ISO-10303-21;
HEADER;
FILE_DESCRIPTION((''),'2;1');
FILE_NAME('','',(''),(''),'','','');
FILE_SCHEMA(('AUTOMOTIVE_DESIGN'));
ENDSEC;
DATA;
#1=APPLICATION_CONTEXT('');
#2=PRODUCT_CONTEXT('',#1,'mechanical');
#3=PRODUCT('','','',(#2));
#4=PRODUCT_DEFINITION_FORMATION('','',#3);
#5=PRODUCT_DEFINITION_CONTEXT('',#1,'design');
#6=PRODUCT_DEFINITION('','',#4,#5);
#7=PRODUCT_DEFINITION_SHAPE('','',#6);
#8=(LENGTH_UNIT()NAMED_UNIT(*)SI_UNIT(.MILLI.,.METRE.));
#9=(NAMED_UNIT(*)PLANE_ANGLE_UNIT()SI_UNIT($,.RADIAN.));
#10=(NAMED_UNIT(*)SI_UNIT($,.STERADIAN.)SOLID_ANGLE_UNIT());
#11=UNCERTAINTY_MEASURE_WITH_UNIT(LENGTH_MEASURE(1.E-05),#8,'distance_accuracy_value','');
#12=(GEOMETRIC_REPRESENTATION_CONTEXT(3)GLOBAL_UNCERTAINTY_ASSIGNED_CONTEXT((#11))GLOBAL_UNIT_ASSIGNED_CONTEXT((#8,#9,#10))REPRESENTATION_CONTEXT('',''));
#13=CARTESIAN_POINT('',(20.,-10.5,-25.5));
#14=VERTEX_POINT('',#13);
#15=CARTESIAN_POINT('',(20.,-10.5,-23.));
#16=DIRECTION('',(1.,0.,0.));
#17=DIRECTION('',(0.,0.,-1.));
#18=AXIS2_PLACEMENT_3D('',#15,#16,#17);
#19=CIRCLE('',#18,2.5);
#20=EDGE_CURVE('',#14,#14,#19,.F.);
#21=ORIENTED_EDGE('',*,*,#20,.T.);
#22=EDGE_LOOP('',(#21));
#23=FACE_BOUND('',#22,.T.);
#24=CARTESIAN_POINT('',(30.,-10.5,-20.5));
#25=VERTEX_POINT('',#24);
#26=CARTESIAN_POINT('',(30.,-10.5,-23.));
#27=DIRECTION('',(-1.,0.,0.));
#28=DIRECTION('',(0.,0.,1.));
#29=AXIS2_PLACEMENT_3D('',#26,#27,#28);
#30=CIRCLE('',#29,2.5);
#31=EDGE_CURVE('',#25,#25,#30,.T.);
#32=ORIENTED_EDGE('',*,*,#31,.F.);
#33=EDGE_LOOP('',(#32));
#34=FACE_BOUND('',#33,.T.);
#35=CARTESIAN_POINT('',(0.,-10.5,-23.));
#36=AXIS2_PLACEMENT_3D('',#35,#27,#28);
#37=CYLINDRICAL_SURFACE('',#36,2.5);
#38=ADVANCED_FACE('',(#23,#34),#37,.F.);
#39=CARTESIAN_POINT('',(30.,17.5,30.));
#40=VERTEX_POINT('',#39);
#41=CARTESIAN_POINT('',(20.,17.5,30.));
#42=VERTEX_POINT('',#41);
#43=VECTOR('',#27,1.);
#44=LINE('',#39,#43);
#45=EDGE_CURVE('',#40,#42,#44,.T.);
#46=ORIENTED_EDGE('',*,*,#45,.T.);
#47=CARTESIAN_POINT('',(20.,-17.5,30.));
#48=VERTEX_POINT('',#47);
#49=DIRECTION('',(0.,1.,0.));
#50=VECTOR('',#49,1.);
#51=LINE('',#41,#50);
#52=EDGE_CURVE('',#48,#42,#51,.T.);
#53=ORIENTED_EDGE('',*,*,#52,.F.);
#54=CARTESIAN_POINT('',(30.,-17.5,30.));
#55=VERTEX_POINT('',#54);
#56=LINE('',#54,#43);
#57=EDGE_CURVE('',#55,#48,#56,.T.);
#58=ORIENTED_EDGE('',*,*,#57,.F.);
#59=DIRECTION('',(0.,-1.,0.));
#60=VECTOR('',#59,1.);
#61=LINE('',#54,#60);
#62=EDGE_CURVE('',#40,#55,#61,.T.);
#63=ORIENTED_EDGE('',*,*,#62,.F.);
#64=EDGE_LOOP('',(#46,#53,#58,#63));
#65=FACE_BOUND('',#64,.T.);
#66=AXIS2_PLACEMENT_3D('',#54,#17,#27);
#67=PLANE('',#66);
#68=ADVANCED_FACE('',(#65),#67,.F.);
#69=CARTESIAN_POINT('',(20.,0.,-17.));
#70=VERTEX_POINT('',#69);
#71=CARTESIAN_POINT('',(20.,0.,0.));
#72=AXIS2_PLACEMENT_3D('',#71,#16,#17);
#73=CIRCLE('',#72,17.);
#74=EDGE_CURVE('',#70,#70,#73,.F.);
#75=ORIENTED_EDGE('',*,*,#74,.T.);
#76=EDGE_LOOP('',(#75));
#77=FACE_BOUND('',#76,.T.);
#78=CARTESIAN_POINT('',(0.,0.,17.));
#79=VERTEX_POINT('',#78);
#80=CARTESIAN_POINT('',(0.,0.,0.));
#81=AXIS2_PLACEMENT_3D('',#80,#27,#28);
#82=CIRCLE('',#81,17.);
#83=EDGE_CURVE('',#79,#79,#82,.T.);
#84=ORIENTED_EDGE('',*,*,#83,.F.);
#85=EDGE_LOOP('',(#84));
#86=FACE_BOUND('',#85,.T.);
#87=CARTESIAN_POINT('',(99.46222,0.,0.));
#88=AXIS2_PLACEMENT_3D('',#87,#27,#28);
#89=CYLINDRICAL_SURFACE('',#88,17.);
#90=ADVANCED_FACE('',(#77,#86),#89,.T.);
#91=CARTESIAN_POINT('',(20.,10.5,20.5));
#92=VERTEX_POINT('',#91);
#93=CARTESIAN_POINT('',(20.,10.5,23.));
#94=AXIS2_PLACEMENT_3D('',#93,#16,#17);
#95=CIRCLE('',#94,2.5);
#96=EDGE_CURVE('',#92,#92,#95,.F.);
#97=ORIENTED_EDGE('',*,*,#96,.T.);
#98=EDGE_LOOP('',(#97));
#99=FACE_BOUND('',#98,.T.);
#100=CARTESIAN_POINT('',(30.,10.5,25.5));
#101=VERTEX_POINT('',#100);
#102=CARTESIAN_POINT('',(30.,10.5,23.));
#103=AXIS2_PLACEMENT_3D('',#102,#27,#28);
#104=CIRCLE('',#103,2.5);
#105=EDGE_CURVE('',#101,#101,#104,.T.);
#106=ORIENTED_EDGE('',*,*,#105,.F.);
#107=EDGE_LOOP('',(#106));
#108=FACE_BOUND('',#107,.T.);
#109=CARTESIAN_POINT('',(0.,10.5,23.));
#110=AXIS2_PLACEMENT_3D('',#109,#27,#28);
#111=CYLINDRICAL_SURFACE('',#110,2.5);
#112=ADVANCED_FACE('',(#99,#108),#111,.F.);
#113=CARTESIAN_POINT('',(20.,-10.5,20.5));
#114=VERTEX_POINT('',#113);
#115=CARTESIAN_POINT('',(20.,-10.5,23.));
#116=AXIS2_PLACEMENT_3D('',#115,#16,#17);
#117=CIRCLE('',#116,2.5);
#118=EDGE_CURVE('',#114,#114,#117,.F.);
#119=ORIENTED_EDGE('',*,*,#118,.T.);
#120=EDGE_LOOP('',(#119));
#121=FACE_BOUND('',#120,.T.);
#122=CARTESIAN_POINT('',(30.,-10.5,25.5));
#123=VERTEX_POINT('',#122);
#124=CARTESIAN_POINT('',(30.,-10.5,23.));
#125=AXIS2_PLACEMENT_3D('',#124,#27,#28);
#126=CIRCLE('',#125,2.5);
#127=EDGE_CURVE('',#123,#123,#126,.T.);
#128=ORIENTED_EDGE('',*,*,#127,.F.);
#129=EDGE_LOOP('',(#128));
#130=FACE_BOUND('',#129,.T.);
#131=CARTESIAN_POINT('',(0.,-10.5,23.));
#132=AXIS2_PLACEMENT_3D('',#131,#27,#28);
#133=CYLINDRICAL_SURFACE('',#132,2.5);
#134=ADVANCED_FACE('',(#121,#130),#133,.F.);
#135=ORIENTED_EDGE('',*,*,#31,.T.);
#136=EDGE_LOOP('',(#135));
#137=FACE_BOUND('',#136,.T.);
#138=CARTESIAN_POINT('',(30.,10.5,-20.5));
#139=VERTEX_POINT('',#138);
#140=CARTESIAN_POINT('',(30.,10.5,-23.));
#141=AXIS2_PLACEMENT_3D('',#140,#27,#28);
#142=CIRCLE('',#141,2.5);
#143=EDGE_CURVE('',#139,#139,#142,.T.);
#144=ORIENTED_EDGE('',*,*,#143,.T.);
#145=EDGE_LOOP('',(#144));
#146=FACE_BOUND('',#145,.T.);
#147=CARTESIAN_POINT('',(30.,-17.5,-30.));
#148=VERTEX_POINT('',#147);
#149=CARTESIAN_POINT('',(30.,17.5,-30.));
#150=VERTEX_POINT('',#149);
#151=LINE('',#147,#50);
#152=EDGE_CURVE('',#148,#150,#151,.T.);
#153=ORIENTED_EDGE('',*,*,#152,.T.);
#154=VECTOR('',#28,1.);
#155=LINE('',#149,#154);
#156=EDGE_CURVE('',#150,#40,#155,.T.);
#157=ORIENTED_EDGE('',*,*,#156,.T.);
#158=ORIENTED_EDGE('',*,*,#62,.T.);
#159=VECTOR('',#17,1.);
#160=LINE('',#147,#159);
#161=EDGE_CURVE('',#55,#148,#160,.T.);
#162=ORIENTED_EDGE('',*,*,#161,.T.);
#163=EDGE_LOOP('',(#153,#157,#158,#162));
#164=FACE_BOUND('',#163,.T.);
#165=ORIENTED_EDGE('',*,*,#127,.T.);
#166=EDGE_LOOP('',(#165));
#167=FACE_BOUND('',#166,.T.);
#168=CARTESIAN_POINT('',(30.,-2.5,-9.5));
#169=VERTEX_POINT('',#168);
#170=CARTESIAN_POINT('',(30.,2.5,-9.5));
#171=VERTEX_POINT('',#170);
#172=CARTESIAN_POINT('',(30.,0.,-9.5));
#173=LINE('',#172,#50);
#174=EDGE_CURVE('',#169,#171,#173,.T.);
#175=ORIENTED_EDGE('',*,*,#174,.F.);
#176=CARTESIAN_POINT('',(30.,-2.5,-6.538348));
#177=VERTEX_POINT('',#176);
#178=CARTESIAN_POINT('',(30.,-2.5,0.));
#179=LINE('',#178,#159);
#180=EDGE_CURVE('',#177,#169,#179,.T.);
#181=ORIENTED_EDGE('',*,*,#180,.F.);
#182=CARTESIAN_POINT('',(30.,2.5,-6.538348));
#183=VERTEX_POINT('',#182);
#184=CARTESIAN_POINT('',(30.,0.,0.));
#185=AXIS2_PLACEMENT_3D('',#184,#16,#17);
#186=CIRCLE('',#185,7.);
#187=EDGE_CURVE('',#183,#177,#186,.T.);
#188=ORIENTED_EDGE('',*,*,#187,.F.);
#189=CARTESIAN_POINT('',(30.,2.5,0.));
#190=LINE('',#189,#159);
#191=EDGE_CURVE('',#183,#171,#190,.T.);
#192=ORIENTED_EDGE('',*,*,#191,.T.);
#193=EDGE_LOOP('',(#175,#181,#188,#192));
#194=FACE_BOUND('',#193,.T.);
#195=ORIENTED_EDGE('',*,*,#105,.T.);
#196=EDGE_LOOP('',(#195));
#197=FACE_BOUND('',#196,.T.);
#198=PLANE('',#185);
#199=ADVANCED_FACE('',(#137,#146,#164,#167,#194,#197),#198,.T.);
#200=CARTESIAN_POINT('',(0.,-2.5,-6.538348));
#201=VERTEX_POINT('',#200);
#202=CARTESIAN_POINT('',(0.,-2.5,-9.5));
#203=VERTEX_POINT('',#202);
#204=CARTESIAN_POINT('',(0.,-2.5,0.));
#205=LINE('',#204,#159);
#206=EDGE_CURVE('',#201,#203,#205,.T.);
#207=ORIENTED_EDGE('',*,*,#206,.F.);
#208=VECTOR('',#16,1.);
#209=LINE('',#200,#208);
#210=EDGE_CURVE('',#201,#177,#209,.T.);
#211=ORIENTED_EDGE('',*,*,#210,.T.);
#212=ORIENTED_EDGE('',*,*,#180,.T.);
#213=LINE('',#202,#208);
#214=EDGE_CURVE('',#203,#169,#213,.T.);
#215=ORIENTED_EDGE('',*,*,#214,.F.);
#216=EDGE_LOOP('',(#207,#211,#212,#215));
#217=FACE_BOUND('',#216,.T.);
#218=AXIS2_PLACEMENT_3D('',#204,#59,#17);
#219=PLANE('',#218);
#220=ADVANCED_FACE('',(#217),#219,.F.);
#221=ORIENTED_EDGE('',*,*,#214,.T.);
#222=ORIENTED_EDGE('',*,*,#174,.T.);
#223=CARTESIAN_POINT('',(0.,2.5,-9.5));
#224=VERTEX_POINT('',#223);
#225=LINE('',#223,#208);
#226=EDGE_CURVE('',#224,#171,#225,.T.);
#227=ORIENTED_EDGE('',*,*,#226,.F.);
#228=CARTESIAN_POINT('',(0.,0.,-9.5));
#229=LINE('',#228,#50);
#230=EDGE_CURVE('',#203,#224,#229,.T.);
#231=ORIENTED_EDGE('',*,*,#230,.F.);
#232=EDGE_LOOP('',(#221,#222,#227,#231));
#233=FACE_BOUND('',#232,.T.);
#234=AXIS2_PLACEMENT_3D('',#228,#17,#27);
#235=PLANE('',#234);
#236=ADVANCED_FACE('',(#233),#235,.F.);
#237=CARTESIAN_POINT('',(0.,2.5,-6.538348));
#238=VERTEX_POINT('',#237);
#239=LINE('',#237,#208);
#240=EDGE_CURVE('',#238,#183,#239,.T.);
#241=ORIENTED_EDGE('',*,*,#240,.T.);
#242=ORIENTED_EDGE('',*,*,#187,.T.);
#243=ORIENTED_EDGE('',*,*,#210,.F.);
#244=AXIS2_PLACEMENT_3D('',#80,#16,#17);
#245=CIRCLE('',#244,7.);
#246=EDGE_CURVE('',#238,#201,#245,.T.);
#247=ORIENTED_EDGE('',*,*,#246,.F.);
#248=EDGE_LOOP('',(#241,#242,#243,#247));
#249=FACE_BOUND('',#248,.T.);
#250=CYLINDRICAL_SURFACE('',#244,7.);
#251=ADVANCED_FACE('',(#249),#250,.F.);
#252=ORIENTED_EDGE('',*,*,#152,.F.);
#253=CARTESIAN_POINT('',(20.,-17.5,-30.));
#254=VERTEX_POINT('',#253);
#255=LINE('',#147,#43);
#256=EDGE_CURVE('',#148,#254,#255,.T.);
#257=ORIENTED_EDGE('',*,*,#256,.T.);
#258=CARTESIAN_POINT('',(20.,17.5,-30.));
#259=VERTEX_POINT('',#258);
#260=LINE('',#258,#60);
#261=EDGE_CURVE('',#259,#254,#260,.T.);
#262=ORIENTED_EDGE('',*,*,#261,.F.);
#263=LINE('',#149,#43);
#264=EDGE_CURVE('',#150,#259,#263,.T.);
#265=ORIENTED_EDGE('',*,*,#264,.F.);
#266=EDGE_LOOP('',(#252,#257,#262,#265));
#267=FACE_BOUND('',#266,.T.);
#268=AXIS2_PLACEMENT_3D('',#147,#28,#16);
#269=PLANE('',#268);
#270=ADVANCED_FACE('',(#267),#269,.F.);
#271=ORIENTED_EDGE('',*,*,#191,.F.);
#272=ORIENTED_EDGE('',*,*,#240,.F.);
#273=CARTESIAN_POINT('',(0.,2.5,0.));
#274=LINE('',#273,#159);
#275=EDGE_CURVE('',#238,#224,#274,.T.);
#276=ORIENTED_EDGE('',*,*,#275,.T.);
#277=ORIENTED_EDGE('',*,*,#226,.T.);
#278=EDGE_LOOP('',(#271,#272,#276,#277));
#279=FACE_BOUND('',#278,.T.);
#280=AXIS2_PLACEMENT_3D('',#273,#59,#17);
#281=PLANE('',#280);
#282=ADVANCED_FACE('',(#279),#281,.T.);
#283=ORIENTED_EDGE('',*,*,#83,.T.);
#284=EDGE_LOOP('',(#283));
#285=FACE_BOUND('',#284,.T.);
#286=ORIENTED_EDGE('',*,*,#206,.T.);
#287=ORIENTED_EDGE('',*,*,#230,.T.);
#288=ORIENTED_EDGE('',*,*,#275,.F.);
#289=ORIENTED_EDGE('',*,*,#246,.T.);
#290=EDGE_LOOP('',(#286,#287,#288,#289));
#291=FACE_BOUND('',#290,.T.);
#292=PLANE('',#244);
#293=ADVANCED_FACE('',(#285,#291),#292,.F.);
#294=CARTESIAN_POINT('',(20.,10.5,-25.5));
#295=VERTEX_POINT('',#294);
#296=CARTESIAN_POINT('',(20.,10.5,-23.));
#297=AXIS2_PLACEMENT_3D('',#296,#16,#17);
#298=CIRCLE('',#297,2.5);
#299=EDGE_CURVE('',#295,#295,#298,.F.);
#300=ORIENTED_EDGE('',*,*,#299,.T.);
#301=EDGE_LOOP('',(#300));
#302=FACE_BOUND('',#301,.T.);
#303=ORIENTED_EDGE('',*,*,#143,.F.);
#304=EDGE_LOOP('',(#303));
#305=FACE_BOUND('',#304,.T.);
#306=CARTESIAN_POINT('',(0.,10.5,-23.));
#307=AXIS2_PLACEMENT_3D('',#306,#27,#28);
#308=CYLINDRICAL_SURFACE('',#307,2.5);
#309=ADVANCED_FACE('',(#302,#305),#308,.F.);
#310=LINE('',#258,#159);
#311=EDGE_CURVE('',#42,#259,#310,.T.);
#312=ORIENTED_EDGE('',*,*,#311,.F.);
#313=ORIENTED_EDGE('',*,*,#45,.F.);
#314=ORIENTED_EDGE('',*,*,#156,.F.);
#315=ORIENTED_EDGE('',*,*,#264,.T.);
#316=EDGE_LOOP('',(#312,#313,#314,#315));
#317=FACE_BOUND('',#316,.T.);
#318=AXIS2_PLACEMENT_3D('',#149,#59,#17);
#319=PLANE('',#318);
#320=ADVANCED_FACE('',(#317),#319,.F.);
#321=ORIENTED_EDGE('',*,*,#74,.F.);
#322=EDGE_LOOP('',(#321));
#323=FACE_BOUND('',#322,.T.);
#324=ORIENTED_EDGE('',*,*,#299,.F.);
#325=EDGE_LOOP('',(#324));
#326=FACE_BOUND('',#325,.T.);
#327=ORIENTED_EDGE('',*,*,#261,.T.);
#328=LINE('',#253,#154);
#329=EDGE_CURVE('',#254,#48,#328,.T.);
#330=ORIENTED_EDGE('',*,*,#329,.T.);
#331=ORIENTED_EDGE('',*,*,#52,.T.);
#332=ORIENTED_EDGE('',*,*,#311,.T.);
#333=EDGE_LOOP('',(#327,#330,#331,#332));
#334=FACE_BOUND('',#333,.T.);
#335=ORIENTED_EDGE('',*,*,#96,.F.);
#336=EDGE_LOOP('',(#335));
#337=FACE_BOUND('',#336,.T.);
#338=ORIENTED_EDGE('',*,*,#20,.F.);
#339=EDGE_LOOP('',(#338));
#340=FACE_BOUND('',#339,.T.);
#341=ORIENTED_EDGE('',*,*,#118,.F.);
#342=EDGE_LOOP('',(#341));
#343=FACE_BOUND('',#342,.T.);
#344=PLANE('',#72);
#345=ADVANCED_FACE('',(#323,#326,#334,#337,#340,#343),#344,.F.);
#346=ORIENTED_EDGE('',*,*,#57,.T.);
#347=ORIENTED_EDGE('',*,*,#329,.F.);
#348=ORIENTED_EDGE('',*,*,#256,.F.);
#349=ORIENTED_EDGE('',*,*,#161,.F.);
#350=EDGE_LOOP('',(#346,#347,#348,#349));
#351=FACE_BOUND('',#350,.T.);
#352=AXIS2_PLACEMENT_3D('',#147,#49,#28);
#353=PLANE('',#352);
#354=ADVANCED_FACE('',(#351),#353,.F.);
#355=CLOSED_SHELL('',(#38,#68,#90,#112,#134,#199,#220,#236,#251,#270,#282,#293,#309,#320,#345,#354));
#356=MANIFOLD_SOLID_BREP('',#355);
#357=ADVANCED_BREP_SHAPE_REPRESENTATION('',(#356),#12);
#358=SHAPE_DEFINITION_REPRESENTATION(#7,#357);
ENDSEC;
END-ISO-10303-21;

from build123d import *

# Parameters (mm, degrees)
SKETCH1_W                = 60
SKETCH1_H                = 35
BOSS_EXTRUDE1_DEPTH      = 30
CUT_EXTRUDE1_DEPTH       = 31
F_5_0_5_DIAMETER_HOLE1_D = 5
SKETCH6_W                = 60
SKETCH6_H                = 35
SKETCH6_R                = 17
CUT_EXTRUDE2_DEPTH       = 20


with BuildPart() as part:
    # Sketch1 → Boss-Extrude1 (new body)
    with BuildSketch(Plane(origin=(0, 0, 0), x_dir=(0, 0, -1), z_dir=(1, 0, 0))):
        Rectangle(SKETCH1_W, SKETCH1_H)
    extrude(amount=BOSS_EXTRUDE1_DEPTH)

    # Sketch2 → Cut-Extrude1 (cut, through all)
    with BuildSketch(Plane(origin=(30, 0, 0), x_dir=(0, 0, -1), z_dir=(1, 0, 0))):
        with BuildLine():
            Line((4.5, 2.5), (4.5, -2.5))
            Line((4.5, -2.5), (6.538348415, -2.5))
            ThreePointArc((6.538348415, -2.5), (6.883619648, -1.271133567), (7, 0))
            ThreePointArc((7, 0), (6.883619648, 1.271133567), (6.538348415, 2.5))
            Line((6.538348415, 2.5), (4.5, 2.5))
        make_face()
        with BuildLine():
            Line((6.538348415, -2.5), (4.5, -2.5))
            Line((4.5, -2.5), (4.5, 2.5))
            Line((4.5, 2.5), (6.538348415, 2.5))
            ThreePointArc((6.538348415, 2.5), (-7, 0), (6.538348415, -2.5))
        make_face()
        with BuildLine():
            ThreePointArc((7, 0), (6.883619648, -1.271133567), (6.538348415, -2.5))
            Line((6.538348415, -2.5), (9.5, -2.5))
            Line((9.5, -2.5), (9.5, 2.5))
            Line((9.5, 2.5), (6.538348415, 2.5))
            ThreePointArc((6.538348415, 2.5), (6.883619648, 1.271133567), (7, 0))
        make_face()
    extrude(amount=-CUT_EXTRUDE1_DEPTH, mode=Mode.SUBTRACT)

    # Ø5.0 (5) Diameter Hole1 (through all)
    with Locations(Plane.ZY):
        with Locations((-23, 10.5), (-23, -10.5)):
            f_5_0_5_diameter_hole1 = Hole(F_5_0_5_DIAMETER_HOLE1_D / 2)

    # Mirror1: Ø5.0 (5) Diameter Hole1 across plane
    add(f_5_0_5_diameter_hole1.mirror(Plane.XY), mode=Mode.SUBTRACT)

    # Sketch6 → Cut-Extrude2 (cut)
    with BuildSketch(Plane.ZY):
        Rectangle(SKETCH6_W, SKETCH6_H)
        Circle(SKETCH6_R, mode=Mode.SUBTRACT)
    extrude(amount=-CUT_EXTRUDE2_DEPTH, mode=Mode.SUBTRACT)


solid = part.part
